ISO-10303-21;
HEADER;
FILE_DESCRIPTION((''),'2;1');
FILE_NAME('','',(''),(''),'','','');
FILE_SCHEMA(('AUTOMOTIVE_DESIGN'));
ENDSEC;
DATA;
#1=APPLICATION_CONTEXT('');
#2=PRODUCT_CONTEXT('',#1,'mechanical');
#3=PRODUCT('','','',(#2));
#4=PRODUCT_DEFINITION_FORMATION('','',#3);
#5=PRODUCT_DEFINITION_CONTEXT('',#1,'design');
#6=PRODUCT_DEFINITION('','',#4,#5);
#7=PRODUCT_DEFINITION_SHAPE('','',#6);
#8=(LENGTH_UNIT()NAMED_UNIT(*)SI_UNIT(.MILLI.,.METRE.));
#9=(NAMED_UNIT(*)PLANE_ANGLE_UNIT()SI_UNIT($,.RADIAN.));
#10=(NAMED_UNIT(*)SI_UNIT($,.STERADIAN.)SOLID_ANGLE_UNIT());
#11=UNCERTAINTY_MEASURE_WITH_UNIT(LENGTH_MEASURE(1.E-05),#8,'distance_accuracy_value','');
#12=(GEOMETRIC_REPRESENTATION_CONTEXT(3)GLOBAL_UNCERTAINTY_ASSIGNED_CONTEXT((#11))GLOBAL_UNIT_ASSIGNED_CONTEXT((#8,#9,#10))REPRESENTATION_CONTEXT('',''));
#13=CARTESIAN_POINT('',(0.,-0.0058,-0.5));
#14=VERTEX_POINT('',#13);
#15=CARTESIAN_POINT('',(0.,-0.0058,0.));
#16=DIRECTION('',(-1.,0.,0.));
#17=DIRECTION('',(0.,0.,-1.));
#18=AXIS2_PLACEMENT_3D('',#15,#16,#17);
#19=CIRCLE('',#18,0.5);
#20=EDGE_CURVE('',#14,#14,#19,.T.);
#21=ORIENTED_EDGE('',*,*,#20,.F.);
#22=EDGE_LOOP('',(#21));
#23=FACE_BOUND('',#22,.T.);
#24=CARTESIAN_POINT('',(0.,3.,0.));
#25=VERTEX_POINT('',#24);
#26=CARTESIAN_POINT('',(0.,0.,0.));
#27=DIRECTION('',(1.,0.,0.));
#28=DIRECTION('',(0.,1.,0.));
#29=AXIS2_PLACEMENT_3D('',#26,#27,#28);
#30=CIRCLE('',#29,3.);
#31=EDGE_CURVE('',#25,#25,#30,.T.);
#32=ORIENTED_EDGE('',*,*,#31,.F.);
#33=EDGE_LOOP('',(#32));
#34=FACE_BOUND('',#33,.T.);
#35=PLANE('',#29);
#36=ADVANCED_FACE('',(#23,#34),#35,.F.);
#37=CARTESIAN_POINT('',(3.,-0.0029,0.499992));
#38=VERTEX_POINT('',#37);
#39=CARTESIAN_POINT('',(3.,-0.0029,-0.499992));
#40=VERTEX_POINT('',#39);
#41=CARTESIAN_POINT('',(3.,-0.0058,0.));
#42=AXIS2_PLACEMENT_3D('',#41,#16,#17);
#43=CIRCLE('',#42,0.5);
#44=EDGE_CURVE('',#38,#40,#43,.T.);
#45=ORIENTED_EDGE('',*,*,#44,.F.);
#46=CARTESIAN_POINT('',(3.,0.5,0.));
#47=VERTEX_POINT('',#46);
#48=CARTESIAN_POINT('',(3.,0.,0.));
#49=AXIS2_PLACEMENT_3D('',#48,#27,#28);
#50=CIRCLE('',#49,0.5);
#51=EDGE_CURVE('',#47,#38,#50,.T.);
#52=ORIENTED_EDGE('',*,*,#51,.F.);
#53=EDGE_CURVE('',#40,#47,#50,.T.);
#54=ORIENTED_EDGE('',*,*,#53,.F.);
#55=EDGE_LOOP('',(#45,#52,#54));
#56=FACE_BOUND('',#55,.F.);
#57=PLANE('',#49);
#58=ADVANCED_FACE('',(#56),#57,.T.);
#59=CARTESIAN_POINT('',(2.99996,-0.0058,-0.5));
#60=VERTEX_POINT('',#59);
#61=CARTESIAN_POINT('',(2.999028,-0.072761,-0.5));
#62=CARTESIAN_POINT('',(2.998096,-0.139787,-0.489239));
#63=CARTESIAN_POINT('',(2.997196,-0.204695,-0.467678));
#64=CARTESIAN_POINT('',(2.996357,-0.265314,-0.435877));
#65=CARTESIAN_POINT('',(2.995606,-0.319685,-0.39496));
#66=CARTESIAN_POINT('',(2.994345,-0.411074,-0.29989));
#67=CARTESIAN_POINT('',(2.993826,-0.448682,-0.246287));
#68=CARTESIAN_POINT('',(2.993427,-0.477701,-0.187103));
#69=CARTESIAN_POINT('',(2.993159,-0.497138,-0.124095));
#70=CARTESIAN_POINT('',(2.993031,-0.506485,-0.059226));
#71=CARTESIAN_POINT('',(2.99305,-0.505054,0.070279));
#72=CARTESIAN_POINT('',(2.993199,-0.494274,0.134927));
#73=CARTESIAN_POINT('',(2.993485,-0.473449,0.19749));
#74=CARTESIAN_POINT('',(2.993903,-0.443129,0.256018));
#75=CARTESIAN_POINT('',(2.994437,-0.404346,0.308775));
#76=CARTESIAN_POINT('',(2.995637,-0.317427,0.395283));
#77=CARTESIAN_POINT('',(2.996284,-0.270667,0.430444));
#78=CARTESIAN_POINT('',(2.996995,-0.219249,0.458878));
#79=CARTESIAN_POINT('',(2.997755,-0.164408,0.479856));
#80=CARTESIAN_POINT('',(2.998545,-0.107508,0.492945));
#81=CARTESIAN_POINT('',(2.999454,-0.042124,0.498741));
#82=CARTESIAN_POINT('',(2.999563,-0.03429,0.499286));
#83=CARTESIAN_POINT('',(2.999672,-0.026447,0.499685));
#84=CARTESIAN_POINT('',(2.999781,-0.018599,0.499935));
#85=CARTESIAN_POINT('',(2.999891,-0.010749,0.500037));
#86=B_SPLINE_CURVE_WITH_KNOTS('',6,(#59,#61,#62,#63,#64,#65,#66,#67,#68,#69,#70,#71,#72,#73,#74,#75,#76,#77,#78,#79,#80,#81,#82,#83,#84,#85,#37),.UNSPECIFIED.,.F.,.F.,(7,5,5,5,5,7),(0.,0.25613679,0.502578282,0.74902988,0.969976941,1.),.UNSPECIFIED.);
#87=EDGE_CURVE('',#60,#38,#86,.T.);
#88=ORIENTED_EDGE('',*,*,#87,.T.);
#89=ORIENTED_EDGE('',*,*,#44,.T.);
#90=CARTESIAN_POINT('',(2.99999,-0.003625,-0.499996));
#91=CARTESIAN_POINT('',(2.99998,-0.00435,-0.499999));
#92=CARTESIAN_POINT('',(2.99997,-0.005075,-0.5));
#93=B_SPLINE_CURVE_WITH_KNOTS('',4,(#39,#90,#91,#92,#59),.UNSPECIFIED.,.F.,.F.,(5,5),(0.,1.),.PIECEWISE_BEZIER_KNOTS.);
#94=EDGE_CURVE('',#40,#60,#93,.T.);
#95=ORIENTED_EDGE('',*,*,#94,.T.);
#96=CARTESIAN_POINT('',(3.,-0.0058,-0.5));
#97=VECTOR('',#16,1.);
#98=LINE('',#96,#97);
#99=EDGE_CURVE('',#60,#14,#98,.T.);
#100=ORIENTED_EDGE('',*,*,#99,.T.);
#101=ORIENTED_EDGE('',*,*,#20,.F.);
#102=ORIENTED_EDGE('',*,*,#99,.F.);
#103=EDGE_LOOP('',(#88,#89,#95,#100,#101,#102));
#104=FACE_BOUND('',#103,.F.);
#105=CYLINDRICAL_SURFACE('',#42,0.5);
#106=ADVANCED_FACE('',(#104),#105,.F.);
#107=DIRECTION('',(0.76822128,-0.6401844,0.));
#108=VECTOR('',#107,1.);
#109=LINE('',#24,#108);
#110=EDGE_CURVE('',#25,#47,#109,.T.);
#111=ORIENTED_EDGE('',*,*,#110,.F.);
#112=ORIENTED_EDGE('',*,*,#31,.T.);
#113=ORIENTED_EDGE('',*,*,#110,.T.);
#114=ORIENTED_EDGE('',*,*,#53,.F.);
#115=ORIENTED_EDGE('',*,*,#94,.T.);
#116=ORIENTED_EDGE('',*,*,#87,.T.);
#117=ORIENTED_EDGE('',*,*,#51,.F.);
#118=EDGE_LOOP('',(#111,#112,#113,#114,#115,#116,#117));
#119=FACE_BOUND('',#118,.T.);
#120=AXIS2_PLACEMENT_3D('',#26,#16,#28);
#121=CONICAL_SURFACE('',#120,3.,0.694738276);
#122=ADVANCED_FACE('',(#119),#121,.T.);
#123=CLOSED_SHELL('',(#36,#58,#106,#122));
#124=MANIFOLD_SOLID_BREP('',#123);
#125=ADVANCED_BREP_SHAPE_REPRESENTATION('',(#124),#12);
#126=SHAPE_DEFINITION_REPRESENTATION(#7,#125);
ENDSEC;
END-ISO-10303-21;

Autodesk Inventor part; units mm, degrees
ref_plane "YZ Plane" through (0, 0, 0) normal (1, 0, 0) x (0, 1, 0)
ref_plane "XZ Plane" through (0, 0, 0) normal (0, 1, 0) x (-1, 0, 0)
ref_plane "XY Plane" through (0, 0, 0) normal (0, 0, 1) x (1, 0, 0)
sketch "Szkic1" plane through (0, 0, 0) normal (0, 0, 1) x (1, 0, 0)
  line L0 (0, 0) -> (3, 0)
  line L1 (3, 0) -> (3, 0.5)
  line L2 (0, 0) -> (0, 3)
  line L3 (0, 3) -> (3, 0.5)
  dimension "d3" = 3
  dimension "d4" = 0.5
revolve "Obrót1" add sketch "Szkic1" angle 360 about axis through (0, 0, 0) along (1, 0, 0)
hole "Otwór1" at (3, -0.0058, 0) direction (-1, 0, 0) diameter 1 end through all
properties part number "mocowania_magnesów"
